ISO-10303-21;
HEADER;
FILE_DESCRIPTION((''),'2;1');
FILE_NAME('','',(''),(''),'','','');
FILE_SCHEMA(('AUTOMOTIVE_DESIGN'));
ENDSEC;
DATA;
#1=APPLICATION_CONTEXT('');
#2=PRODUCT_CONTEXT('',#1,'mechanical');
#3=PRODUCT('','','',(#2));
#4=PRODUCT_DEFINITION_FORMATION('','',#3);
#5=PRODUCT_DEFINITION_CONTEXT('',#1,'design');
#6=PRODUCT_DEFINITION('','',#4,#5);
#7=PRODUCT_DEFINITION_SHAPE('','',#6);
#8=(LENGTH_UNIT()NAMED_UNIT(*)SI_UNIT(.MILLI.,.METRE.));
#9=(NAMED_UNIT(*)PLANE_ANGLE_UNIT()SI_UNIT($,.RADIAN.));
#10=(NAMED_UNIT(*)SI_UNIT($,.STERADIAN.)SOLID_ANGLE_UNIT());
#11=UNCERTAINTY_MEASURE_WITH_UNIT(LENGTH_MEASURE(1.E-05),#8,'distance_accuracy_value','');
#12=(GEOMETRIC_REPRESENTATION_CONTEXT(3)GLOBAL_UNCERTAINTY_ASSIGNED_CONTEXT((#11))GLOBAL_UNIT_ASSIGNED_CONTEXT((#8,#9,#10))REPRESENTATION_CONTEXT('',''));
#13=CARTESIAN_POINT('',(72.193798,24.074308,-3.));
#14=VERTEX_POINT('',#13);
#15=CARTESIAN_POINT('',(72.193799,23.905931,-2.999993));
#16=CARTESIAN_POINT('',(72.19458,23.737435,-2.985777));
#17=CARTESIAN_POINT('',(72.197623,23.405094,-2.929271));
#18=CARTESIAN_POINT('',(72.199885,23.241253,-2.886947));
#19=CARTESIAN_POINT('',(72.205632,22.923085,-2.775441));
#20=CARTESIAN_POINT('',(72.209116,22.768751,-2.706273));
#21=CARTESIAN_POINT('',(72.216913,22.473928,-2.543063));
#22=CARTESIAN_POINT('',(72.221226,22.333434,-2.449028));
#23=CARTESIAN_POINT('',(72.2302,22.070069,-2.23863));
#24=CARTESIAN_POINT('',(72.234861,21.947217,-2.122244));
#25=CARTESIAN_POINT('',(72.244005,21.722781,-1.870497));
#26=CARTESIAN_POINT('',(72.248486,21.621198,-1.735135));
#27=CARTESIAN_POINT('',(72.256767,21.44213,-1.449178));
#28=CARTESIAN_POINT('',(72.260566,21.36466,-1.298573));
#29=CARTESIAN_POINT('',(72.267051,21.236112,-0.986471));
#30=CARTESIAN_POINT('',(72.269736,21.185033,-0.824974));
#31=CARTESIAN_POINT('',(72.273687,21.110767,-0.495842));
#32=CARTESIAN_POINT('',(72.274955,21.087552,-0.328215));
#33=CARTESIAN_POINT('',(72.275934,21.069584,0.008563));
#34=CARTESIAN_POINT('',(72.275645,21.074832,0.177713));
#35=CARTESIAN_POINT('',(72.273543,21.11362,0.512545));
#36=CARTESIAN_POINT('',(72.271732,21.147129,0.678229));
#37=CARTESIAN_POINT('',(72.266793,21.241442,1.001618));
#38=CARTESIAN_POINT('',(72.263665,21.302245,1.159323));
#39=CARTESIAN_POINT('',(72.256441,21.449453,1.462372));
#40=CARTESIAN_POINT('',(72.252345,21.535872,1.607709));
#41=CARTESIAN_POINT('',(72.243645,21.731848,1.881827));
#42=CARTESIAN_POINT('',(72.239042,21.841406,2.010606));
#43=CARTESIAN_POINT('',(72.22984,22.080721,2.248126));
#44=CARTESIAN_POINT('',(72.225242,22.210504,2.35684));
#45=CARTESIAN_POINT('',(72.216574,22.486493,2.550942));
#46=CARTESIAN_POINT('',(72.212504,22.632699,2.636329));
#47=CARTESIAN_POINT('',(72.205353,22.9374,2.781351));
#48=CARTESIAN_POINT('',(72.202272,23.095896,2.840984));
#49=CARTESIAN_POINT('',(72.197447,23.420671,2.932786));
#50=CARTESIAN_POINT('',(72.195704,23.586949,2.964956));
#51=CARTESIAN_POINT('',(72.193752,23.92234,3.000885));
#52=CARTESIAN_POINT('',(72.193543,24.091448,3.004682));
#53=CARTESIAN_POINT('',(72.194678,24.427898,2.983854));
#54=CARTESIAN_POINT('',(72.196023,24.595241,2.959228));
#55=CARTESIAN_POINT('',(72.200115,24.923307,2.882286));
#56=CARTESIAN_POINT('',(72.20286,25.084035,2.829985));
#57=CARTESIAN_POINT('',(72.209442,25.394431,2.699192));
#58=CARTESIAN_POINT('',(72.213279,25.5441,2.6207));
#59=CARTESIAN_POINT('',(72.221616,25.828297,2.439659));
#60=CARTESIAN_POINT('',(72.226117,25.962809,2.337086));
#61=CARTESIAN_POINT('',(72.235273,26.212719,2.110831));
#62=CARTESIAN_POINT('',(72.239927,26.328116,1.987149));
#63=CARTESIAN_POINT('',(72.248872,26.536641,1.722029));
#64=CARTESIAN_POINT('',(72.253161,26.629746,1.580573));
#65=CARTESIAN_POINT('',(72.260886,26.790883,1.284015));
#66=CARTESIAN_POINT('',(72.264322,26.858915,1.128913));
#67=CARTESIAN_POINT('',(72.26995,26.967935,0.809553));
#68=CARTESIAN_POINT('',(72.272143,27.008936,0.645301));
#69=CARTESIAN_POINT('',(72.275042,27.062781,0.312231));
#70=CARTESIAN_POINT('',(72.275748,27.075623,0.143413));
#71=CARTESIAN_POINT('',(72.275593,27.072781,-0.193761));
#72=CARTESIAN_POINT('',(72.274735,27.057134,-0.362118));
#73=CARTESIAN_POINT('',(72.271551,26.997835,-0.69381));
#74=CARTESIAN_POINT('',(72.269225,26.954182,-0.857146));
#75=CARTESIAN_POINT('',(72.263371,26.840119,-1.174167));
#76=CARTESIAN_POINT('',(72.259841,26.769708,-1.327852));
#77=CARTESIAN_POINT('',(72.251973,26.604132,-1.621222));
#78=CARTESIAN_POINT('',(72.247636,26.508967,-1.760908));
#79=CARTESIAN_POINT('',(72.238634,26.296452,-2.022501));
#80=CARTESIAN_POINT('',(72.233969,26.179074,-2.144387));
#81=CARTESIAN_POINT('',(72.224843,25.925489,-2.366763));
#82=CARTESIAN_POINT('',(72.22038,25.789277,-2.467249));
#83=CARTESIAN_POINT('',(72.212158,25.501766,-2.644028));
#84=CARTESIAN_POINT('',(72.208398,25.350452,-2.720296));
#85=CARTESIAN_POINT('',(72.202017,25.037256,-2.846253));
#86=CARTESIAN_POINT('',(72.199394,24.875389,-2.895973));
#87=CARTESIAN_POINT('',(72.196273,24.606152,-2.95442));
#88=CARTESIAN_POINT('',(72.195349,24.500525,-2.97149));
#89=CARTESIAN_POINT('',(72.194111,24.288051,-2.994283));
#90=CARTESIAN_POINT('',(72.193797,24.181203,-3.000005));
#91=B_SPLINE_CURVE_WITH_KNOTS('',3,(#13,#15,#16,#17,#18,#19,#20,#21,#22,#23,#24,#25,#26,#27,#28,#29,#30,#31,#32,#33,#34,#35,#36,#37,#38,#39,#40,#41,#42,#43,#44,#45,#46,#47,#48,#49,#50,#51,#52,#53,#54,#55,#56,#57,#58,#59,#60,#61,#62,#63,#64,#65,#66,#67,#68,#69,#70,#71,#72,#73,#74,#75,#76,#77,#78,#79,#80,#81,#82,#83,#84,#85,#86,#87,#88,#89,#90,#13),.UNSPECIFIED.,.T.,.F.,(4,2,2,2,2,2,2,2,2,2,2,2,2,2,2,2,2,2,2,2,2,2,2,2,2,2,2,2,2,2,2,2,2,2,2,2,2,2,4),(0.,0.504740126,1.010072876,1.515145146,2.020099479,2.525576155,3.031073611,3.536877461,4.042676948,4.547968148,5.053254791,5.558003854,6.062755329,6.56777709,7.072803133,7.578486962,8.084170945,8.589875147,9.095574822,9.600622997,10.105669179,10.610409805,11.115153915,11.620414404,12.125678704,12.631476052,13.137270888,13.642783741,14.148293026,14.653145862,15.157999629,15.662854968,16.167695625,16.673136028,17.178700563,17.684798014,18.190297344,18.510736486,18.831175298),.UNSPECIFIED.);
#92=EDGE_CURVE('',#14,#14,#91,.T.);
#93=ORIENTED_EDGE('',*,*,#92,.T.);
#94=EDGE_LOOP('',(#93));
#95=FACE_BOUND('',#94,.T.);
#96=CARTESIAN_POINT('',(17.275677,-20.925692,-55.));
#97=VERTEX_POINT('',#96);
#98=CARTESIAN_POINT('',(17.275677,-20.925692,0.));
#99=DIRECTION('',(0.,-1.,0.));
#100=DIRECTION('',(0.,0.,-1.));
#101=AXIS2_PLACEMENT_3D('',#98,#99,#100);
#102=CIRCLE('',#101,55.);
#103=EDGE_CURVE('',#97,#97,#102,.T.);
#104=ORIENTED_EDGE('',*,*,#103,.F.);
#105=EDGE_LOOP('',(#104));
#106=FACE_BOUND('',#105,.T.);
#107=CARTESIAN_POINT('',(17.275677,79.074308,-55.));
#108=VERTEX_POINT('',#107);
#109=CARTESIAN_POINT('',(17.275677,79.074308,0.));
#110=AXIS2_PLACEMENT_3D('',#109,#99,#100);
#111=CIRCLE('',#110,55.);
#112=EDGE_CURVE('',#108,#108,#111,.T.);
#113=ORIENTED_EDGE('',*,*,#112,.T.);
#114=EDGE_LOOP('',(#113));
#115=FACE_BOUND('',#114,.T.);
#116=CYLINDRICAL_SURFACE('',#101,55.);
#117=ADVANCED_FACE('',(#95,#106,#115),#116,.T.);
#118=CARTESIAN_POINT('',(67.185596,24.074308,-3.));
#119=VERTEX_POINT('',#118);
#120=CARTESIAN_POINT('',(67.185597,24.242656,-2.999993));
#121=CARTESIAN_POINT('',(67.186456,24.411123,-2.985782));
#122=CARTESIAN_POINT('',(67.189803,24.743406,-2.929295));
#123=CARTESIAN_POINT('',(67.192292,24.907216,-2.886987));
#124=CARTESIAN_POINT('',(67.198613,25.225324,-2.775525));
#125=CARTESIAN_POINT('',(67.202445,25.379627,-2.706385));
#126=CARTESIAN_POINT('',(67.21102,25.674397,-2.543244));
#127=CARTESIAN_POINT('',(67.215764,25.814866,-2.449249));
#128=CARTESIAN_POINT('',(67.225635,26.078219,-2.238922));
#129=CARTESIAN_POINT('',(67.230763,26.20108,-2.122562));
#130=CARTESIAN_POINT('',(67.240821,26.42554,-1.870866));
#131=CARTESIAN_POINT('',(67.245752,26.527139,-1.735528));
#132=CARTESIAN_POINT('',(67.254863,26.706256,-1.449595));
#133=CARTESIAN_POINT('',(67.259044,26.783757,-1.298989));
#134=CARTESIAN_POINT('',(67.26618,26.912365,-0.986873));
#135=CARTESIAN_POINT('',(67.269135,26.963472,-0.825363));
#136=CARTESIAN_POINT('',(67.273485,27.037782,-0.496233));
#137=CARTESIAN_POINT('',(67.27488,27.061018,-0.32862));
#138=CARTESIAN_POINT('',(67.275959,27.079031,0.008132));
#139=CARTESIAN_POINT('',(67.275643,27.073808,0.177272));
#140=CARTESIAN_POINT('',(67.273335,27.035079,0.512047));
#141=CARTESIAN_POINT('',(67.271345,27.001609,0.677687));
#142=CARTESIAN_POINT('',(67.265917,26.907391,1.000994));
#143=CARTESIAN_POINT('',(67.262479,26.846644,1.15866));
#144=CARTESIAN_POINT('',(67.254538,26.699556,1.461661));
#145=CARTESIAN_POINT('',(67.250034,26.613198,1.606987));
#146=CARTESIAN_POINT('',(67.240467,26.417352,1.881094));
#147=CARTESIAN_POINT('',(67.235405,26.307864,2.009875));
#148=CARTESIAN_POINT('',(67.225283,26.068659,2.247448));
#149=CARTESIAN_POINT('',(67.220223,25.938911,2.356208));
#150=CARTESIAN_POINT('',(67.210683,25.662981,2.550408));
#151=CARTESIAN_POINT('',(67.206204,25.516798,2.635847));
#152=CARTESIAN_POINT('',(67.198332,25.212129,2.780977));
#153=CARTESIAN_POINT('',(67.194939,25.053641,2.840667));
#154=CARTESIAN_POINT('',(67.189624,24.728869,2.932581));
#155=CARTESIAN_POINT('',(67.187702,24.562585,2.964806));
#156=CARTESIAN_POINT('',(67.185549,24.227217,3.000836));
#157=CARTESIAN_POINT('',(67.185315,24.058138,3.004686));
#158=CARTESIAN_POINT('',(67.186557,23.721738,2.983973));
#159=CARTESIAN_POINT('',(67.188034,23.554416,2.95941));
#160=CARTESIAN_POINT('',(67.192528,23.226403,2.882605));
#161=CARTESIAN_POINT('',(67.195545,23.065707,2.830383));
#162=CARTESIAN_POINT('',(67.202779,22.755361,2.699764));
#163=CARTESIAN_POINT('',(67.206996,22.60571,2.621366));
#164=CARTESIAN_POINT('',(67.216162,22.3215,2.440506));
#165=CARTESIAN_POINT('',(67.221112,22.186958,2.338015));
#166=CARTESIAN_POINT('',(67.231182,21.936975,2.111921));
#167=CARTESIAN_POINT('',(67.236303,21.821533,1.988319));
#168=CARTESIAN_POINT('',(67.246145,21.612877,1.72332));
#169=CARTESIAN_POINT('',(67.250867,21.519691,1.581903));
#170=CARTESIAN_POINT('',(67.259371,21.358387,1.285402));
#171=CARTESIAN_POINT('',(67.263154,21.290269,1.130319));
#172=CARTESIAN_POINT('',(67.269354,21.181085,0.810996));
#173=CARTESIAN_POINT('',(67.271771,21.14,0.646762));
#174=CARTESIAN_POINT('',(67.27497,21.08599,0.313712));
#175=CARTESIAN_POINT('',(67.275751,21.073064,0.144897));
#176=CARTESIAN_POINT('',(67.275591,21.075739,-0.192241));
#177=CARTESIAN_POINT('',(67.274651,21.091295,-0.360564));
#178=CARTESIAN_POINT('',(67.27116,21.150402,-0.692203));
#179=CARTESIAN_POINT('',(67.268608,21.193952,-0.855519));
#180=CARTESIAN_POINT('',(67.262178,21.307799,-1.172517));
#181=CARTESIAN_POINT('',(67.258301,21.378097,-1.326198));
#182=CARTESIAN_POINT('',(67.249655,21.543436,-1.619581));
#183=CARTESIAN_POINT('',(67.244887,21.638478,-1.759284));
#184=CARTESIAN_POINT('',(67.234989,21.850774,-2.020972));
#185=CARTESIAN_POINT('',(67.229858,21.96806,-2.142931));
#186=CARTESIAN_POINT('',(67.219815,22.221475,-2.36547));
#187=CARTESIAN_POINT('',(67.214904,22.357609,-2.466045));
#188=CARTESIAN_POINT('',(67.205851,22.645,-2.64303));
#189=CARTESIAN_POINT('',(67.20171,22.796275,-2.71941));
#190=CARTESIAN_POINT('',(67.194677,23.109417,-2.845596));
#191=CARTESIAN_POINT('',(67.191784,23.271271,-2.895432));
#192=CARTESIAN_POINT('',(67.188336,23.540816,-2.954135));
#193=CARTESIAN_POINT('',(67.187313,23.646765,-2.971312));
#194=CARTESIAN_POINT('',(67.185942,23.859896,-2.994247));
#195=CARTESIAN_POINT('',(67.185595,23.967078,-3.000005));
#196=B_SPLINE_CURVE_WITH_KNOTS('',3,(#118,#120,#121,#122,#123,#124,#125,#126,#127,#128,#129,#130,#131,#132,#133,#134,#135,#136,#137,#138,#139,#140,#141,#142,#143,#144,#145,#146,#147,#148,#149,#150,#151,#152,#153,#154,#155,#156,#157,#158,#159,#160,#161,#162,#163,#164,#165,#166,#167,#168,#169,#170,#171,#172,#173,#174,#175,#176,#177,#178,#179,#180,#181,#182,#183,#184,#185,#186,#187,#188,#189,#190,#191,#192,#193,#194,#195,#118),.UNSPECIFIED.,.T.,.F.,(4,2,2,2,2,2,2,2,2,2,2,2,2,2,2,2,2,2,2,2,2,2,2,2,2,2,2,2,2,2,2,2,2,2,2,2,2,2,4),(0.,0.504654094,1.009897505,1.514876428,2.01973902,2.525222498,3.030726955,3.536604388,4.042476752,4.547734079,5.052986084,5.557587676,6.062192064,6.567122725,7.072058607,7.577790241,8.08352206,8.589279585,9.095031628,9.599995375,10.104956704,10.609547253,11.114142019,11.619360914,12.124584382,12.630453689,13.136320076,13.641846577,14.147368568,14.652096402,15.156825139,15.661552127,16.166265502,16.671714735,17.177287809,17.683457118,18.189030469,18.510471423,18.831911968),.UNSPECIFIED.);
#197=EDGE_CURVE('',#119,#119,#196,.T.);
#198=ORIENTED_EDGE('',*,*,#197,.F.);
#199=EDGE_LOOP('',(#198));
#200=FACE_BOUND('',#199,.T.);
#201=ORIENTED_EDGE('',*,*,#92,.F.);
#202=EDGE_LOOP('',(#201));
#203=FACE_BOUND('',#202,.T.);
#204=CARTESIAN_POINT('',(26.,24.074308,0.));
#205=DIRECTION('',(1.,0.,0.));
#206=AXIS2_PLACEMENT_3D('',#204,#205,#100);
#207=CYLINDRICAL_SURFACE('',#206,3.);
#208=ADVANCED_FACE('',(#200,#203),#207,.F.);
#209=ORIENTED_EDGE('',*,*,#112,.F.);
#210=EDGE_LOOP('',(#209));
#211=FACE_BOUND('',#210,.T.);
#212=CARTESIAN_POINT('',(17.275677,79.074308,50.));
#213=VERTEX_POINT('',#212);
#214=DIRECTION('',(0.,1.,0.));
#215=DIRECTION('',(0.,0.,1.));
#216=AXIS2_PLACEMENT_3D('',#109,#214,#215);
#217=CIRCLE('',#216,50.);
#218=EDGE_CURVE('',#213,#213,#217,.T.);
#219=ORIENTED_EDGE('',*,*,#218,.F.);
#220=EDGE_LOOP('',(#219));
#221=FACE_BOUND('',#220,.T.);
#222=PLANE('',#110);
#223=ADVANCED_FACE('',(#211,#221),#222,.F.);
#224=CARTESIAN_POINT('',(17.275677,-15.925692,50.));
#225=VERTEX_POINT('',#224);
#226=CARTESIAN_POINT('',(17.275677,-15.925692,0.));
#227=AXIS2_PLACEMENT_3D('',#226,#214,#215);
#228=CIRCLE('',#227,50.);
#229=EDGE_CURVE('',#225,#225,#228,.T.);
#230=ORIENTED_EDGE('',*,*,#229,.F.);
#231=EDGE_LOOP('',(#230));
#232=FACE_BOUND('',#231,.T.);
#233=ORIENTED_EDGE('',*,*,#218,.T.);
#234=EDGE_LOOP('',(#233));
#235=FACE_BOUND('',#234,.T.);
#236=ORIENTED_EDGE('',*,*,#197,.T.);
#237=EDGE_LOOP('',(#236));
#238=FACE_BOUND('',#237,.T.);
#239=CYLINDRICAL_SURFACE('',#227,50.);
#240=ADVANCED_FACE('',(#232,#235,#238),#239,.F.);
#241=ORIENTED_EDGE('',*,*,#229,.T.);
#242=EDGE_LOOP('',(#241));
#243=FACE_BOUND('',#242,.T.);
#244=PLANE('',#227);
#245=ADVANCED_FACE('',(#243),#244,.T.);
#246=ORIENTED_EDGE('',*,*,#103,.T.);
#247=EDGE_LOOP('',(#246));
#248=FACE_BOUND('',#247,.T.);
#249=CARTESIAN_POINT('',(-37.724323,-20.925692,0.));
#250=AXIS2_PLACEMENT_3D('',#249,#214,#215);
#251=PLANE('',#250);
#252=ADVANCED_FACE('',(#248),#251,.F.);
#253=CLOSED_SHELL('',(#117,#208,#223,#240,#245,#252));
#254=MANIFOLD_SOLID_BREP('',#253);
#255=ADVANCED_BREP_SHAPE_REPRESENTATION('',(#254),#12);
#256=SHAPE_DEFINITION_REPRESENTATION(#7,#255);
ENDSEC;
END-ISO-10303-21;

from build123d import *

# Parameters (mm, degrees)
SKETCH2_W          = 55
SKETCH2_H          = 100
SKETCH3_R          = 50
CUT_EXTRUDE2_DEPTH = 95
SKETCH5_R          = 3
CUT_EXTRUDE4_DEPTH = 49


with BuildPart() as part:
    # Sketch2 → Revolve1 (revolve)
    with BuildSketch(Plane.XY, mode=Mode.PRIVATE) as revolve1_sk:
        with Locations((-10.224323353, 29.074307692)):
            Rectangle(SKETCH2_W, SKETCH2_H)
    revolve(revolve1_sk.sketch.rotate(Axis((17.275676647, -20.925692308, 0), (0, 1, 0)), 270), axis=Axis((17.275676647, -20.925692308, 0), (0, 1, 0)))

    # Sketch3 → Cut-Extrude2 (cut)
    with BuildSketch(Plane(origin=(0, 79.074307692, 0), x_dir=(1, 0, 0), z_dir=(0, 1, 0))):
        with Locations(Location((17.275676647, 0, 0), (0, 0, 270))):
            Circle(SKETCH3_R)
    extrude(amount=-CUT_EXTRUDE2_DEPTH, mode=Mode.SUBTRACT)

    # Sketch5 → Cut-Extrude4 (cut)
    with BuildSketch(Plane(origin=(75, 0, 0), x_dir=(0, 0, -1), z_dir=(1, 0, 0))):
        with Locations((0, 24.074307692)):
            Circle(SKETCH5_R)
    extrude(amount=-CUT_EXTRUDE4_DEPTH, mode=Mode.SUBTRACT)


solid = part.part
